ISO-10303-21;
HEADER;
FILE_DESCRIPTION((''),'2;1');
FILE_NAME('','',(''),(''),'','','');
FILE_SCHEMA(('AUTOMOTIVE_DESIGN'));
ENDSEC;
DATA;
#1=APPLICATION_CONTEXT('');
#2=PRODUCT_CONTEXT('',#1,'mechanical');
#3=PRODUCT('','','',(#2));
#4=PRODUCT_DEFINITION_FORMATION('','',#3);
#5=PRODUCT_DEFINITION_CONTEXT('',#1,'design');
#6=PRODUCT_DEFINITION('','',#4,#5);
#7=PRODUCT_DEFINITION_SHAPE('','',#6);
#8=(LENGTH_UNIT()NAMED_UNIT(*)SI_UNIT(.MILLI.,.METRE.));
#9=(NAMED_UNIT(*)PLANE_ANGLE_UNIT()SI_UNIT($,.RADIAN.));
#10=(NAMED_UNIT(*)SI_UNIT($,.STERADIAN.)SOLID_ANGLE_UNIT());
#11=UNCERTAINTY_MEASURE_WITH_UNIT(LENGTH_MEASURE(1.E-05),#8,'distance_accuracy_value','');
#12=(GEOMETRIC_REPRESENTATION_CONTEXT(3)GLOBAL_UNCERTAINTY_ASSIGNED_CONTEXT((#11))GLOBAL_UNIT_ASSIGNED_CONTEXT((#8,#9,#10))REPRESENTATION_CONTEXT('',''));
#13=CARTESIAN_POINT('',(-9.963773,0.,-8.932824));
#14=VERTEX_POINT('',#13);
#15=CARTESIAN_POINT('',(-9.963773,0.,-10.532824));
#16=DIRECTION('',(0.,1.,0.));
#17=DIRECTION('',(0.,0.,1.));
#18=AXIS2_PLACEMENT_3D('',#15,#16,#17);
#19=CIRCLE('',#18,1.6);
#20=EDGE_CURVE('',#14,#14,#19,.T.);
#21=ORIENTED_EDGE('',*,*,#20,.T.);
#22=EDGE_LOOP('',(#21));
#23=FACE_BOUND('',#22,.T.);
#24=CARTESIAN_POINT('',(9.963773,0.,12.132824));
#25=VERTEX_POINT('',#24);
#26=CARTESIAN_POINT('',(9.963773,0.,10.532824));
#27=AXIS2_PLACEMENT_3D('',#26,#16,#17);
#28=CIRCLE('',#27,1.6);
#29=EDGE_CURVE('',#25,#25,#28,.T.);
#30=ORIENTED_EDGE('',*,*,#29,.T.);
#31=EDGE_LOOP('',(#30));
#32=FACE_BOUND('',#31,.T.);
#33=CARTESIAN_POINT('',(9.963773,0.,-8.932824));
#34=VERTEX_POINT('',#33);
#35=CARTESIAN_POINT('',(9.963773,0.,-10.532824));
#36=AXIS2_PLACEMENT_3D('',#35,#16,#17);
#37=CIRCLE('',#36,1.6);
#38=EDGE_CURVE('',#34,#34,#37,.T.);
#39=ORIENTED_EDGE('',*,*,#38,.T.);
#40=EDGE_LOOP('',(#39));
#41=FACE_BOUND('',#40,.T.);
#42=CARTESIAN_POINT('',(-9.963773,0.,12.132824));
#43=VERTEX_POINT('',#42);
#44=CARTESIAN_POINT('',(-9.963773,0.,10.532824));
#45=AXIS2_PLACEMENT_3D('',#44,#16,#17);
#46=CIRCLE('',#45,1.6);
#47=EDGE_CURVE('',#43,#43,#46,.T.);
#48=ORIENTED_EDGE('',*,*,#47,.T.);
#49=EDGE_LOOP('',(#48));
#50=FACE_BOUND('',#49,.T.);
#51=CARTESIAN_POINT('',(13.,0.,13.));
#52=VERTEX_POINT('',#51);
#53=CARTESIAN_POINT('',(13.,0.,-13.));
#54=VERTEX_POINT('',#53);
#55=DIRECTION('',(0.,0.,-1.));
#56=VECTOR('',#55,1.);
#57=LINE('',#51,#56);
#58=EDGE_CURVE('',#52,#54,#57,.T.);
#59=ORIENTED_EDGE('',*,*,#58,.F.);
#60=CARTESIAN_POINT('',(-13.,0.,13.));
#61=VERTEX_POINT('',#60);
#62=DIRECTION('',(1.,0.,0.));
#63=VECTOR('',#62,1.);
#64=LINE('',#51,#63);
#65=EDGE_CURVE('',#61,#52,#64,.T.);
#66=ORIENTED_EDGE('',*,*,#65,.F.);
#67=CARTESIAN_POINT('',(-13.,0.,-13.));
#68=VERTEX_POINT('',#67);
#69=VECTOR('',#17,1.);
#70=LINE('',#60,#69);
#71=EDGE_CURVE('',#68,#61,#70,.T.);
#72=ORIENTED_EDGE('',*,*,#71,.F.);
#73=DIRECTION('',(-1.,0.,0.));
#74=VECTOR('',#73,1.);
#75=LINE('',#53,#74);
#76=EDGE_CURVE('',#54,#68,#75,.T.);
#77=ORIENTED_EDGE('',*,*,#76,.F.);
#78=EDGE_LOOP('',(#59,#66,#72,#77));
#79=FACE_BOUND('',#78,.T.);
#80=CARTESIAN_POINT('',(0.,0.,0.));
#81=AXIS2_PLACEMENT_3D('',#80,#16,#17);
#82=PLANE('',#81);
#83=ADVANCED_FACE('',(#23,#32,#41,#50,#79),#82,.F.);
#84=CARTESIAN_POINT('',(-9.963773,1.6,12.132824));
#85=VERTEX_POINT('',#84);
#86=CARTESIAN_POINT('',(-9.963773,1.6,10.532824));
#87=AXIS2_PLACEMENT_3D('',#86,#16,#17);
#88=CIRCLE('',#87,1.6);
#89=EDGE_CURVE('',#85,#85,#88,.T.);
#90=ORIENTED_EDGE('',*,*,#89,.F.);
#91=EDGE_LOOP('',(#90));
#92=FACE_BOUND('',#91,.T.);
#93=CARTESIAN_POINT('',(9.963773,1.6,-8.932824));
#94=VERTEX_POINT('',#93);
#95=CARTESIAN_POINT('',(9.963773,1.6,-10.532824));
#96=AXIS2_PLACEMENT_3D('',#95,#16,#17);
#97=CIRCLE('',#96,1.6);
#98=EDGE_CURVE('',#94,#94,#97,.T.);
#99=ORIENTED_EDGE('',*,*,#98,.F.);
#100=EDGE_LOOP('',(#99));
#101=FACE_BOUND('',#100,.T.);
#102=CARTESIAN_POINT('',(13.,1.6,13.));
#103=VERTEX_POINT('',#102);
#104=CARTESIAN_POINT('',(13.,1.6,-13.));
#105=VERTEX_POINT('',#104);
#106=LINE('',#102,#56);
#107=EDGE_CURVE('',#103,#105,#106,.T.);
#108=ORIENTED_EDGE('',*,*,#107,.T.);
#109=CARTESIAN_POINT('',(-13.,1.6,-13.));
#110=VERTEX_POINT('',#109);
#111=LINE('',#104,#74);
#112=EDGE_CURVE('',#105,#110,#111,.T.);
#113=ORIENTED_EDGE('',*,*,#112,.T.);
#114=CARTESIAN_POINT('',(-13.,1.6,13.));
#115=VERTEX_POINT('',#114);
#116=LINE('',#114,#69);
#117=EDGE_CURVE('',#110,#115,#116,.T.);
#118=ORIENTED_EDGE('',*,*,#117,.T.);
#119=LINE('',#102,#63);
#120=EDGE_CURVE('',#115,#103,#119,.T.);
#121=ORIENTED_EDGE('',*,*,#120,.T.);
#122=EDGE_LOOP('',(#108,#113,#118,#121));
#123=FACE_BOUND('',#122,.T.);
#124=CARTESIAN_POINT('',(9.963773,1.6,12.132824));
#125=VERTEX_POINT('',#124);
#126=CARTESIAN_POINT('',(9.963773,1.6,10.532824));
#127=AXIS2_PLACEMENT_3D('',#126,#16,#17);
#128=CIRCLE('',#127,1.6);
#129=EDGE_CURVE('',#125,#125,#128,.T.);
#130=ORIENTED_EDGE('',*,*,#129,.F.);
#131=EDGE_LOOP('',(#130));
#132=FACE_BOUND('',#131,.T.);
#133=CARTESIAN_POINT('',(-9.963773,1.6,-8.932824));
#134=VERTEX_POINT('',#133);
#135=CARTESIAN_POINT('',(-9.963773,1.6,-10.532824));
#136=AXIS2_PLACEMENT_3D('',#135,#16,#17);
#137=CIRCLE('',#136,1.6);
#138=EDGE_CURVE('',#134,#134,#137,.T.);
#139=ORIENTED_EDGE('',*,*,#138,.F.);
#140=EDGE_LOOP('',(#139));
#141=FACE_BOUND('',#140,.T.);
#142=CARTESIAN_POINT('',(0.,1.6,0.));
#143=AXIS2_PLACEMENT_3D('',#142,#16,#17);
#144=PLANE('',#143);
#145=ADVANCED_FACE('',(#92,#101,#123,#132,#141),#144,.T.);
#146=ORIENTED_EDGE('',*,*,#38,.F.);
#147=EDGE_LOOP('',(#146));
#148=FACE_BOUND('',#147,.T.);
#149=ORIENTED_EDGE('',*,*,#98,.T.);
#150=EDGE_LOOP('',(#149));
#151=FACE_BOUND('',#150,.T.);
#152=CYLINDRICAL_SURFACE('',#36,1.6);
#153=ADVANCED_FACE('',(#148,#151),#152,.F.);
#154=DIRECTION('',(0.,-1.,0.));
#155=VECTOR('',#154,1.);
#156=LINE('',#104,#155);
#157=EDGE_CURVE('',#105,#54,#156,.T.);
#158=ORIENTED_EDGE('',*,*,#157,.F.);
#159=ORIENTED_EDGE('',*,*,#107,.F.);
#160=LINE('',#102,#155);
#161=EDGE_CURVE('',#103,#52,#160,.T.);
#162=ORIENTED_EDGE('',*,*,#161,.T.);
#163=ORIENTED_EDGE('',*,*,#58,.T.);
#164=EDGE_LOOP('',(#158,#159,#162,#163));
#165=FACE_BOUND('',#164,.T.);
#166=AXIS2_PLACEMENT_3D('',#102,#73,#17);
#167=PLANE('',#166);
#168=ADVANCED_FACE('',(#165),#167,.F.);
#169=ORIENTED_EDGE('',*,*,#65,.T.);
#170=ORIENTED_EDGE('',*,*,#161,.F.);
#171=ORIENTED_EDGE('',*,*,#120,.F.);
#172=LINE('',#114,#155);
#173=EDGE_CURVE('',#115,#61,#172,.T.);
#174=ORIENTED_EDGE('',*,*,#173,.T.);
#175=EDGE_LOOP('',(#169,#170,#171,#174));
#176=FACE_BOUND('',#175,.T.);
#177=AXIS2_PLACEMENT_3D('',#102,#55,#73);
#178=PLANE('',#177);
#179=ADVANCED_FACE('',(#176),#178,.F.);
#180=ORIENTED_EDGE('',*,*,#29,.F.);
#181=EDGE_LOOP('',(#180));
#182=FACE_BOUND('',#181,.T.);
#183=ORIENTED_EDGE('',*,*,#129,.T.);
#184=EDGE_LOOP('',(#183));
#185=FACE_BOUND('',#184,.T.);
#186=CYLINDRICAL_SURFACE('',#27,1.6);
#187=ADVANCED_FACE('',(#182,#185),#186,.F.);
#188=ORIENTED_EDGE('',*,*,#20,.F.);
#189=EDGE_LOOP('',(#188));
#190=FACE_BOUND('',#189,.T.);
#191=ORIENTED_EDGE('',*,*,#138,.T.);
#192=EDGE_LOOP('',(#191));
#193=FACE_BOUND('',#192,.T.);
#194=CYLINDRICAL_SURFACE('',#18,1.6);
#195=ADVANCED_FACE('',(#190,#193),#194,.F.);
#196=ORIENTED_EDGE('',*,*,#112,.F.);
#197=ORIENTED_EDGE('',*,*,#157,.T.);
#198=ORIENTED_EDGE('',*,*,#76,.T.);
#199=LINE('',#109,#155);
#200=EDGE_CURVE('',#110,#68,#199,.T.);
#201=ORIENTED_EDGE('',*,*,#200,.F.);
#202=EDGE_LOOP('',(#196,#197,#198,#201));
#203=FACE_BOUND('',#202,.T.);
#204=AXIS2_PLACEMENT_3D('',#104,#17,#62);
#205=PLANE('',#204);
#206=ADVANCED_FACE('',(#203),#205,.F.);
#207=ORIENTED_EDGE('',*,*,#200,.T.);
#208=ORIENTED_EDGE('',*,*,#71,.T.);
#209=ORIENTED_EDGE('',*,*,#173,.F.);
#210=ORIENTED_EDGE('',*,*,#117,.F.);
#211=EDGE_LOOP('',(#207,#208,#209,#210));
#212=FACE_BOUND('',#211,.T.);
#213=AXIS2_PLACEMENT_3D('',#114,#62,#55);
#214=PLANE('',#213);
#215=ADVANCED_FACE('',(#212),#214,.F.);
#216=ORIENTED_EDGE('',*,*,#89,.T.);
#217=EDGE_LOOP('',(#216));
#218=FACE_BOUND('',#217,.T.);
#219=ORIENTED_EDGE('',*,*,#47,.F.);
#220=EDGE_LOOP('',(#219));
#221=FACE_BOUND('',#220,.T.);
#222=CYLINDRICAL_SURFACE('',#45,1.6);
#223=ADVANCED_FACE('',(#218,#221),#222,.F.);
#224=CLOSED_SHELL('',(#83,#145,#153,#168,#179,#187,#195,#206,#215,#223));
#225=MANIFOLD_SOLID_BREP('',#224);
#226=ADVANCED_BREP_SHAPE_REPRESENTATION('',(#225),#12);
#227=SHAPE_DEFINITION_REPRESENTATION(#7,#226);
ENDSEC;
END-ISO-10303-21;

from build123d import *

# Parameters (mm, degrees)
SKETCH1_W           = 26
SKETCH1_H           = 26
BOSS_EXTRUDE1_DEPTH = 1.6
SKETCH3_R           = 1.6
CUT_EXTRUDE1_DEPTH  = 1.6


with BuildPart() as part:
    # Sketch1 → Boss-Extrude1 (new body)
    with BuildSketch(Plane(origin=(0, 0, 0), x_dir=(1, 0, 0), z_dir=(0, 1, 0))):
        Rectangle(SKETCH1_W, SKETCH1_H)
    extrude(amount=BOSS_EXTRUDE1_DEPTH)

    # Sketch3 → Cut-Extrude1 (cut)
    with BuildSketch(Plane(origin=(0, 1.6, 0), x_dir=(1, 0, 0), z_dir=(0, 1, 0))):
        with Locations(Location((-9.963772605, 10.532824273, 0), (0, 0, 270))):
            Circle(SKETCH3_R)
        with Locations(Location((-9.963772605, -10.532824273, 0), (0, 0, 270))):
            Circle(SKETCH3_R)
        with Locations(Location((9.963772605, 10.532824273, 0), (0, 0, 270))):
            Circle(SKETCH3_R)
        with Locations(Location((9.963772605, -10.532824273, 0), (0, 0, 270))):
            Circle(SKETCH3_R)
    extrude(amount=-CUT_EXTRUDE1_DEPTH, mode=Mode.SUBTRACT)


solid = part.part
